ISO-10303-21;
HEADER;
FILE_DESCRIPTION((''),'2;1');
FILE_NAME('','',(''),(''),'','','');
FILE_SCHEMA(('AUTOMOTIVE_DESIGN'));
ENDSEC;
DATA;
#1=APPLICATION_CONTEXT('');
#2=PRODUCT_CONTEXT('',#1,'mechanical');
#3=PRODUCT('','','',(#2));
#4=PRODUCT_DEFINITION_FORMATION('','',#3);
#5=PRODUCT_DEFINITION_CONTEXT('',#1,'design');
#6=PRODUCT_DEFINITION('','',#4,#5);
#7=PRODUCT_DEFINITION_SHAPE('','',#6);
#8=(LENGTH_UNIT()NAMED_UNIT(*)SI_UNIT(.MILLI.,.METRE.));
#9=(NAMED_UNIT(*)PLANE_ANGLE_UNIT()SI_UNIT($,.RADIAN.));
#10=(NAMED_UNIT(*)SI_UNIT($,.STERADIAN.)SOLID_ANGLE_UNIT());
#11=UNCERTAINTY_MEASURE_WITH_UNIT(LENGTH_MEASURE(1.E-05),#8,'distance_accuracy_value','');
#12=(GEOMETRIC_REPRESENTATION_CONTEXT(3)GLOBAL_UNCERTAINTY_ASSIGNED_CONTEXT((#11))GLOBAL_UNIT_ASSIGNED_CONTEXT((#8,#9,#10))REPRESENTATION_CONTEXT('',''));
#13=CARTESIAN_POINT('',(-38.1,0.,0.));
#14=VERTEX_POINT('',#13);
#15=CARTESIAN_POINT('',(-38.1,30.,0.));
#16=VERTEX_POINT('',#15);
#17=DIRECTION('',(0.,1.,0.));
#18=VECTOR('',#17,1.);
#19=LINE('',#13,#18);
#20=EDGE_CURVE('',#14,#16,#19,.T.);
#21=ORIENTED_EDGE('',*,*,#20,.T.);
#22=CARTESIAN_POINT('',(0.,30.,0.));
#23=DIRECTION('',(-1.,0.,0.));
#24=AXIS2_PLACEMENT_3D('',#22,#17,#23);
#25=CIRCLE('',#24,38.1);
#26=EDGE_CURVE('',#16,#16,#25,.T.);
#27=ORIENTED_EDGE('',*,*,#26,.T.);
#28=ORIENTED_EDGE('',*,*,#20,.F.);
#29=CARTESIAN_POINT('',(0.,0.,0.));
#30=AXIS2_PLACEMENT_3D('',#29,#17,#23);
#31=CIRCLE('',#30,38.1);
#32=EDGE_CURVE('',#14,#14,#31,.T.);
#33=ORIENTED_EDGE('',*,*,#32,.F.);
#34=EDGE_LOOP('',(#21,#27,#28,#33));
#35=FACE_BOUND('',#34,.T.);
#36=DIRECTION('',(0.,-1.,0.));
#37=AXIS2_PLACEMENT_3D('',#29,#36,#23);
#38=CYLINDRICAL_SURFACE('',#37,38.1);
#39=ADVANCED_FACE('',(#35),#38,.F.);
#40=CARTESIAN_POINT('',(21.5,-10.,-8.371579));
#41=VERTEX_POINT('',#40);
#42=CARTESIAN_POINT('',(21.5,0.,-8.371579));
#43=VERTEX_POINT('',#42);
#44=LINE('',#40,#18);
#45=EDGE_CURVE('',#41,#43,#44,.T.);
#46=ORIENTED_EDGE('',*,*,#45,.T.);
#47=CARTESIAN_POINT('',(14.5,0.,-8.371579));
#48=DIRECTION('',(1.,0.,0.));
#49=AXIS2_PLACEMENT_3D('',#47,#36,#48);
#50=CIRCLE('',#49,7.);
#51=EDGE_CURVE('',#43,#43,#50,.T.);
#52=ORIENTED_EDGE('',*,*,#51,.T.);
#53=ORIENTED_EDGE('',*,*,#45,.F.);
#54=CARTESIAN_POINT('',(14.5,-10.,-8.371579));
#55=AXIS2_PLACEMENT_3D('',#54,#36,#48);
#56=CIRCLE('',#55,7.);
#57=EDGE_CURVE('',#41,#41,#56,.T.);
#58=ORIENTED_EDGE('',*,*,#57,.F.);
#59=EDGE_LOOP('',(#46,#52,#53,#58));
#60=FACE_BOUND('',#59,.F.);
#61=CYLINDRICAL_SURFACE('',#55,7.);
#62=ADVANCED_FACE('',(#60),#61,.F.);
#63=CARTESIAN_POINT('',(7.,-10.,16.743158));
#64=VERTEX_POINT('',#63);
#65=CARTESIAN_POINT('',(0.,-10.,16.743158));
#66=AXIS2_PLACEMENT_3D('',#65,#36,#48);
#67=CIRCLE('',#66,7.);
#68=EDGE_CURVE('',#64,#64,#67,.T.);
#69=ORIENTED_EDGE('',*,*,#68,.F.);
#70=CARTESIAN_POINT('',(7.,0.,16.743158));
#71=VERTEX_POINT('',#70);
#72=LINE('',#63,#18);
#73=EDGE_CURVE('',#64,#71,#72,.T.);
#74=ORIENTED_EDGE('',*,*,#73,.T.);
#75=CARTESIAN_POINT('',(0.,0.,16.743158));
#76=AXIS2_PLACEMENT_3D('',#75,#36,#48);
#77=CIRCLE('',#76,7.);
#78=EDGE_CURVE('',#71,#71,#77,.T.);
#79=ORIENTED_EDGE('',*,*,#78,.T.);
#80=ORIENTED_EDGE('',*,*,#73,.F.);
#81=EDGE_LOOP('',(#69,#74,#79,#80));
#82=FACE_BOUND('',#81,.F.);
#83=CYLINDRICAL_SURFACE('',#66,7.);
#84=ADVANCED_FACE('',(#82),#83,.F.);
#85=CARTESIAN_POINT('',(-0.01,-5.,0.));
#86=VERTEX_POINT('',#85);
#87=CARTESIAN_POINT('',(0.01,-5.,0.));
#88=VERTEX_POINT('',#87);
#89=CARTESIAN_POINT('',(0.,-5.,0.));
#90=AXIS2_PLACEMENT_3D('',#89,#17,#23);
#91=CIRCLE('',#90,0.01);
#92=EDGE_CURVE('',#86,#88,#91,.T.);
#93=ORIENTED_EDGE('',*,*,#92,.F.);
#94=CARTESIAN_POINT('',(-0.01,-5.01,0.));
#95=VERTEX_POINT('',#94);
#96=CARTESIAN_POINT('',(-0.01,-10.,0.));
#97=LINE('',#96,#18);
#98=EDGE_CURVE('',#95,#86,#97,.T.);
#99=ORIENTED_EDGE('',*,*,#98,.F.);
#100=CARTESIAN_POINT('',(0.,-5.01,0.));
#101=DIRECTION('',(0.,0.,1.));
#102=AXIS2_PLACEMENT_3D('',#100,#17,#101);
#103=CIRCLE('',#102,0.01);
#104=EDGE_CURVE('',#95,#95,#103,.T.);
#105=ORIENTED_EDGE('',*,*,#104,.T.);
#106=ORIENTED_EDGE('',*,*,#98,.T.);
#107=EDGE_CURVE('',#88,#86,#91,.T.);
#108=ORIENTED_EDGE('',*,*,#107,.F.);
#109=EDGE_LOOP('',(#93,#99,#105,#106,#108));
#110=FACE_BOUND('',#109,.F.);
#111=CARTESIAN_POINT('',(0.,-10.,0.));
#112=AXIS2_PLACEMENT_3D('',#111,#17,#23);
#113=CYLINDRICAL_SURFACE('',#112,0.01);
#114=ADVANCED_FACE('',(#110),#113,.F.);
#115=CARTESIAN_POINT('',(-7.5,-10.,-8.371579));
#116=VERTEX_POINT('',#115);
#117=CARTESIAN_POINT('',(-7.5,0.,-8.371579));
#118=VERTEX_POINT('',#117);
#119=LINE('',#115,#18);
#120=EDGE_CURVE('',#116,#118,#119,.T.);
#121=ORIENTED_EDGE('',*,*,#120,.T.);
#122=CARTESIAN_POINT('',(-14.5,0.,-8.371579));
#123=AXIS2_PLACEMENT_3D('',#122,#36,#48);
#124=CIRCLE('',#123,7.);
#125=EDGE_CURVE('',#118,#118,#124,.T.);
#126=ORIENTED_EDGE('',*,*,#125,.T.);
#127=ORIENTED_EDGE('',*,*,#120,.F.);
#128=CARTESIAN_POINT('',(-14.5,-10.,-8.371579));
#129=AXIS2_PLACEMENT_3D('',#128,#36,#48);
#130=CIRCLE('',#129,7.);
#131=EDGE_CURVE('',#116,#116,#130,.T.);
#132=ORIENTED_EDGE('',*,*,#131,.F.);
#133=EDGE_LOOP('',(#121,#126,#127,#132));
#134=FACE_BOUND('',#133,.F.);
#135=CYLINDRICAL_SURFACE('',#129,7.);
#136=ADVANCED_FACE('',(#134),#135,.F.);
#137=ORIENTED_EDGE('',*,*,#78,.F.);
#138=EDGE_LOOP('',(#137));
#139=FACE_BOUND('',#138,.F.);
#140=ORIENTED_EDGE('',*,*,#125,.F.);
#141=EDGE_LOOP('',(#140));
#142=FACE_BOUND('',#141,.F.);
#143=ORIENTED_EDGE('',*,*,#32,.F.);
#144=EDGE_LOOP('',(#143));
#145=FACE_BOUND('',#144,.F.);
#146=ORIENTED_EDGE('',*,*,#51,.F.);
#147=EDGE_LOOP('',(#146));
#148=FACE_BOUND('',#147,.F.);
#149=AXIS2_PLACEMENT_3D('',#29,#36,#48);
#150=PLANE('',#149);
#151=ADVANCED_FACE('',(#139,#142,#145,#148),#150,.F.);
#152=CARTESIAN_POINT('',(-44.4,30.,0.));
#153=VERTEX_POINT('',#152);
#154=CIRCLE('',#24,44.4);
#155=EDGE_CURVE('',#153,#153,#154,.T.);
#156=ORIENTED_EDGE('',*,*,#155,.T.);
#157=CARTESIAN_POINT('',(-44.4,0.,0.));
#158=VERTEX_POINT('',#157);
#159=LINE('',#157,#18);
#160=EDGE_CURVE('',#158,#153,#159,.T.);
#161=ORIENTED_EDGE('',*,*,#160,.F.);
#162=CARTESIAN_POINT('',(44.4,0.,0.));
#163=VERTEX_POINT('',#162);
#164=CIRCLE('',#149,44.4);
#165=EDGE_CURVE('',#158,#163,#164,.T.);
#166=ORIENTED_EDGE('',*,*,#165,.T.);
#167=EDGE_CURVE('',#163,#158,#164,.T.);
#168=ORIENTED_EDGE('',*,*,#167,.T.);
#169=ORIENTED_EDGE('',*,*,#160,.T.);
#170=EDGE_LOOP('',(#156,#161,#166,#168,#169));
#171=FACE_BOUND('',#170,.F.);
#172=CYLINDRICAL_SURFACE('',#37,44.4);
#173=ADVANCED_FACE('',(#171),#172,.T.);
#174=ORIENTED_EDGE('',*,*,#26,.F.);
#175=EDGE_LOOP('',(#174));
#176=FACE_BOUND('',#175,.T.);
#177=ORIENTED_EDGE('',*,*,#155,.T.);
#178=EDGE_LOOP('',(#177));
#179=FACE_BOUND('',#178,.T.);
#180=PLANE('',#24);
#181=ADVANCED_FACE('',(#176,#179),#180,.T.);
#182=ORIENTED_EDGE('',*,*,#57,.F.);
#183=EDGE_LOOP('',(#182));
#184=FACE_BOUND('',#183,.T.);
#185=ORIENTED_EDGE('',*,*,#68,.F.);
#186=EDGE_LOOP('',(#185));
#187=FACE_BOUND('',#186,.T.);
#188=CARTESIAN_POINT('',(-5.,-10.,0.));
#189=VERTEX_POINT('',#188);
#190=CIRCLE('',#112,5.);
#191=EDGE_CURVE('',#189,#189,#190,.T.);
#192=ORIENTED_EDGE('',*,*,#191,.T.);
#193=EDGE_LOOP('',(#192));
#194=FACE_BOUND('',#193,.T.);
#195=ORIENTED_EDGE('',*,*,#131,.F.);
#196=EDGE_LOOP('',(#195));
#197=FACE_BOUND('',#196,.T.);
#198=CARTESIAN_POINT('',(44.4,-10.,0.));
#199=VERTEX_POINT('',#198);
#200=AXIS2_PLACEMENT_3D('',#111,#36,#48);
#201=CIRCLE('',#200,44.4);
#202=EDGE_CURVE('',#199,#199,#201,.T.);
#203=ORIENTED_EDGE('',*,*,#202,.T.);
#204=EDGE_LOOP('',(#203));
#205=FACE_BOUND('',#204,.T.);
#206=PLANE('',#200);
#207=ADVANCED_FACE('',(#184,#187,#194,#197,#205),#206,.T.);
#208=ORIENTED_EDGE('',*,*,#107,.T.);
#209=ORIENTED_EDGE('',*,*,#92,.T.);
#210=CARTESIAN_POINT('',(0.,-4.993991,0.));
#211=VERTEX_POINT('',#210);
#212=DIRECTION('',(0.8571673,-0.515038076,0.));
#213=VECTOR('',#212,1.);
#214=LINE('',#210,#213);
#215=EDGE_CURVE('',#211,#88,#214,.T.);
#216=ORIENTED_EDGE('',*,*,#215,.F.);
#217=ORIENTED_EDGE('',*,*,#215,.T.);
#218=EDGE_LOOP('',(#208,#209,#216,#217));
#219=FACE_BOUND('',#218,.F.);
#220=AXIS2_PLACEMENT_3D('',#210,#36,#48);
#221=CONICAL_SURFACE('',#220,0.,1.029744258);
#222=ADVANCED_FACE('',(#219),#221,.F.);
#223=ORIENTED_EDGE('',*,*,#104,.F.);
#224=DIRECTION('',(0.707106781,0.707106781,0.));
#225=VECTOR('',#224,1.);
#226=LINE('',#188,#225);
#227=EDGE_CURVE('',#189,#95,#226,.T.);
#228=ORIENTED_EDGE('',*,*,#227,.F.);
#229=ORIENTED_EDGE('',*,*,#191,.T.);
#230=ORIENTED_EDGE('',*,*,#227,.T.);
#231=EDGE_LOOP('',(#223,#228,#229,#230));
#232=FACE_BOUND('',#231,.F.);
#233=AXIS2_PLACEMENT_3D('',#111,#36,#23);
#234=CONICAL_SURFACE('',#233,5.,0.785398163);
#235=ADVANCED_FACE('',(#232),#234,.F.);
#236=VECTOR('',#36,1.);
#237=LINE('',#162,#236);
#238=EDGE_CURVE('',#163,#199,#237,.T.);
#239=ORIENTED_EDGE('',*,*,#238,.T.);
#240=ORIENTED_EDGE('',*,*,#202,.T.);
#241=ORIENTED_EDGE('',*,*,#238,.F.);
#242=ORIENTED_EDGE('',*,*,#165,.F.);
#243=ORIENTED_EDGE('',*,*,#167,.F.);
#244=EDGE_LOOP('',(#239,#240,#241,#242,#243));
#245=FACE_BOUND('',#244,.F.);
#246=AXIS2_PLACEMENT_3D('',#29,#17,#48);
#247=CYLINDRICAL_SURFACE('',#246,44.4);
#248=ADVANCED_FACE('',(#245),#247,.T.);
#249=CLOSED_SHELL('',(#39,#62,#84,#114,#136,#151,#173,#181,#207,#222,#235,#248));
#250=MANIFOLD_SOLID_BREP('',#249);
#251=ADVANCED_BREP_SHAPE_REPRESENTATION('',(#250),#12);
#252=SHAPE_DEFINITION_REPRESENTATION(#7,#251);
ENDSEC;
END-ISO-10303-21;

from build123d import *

# Parameters (mm, degrees)
F0_R           = 44.4
F1_DEPTH       = 10
F2_R           = 44.4
F2_R_2         = 38.1
F3_DEPTH       = 30
F4_R           = 7
F5_DEPTH       = 40.001
F7_D           = 0.02
F7_DEPTH       = 5
F7_CSINK_D     = 10
F7_CSINK_ANGLE = 90
F7_TIP         = 0.0060086062


with BuildPart() as f1:
    # F0 (on Front) → F1 (new body)
    with BuildSketch(Plane.XZ):
        Circle(F0_R)
    extrude(amount=F1_DEPTH)

    # F2 (on face) → F3 (join)
    with BuildSketch(Plane(origin=(0, 0, 0), x_dir=(-1, 0, 0), z_dir=(0, 1, 0))):
        Circle(F2_R)
        Circle(F2_R_2, mode=Mode.SUBTRACT)
    extrude(amount=F3_DEPTH)

    # F4 (on face) → F5 (cut, through all)
    with BuildSketch(Plane.XZ.offset(10)):
        with Locations((0, 16.7431578065)):
            Circle(F4_R)
        with Locations((-14.5, -8.3715789032)):
            Circle(F4_R)
        with Locations((14.5, -8.3715789032)):
            Circle(F4_R)
    extrude(amount=-F5_DEPTH, mode=Mode.SUBTRACT)

    # F7
    with Locations(Plane.XZ.offset(10)):
        with Locations((0, 0)):
            CounterSinkHole(F7_D / 2, F7_CSINK_D / 2, depth=F7_DEPTH, counter_sink_angle=F7_CSINK_ANGLE)
            with Locations((0, 0, -(F7_DEPTH + F7_TIP / 2))):  # 118° drill point
                Cone(0, F7_D / 2, F7_TIP, mode=Mode.SUBTRACT)


solid = f1.part
